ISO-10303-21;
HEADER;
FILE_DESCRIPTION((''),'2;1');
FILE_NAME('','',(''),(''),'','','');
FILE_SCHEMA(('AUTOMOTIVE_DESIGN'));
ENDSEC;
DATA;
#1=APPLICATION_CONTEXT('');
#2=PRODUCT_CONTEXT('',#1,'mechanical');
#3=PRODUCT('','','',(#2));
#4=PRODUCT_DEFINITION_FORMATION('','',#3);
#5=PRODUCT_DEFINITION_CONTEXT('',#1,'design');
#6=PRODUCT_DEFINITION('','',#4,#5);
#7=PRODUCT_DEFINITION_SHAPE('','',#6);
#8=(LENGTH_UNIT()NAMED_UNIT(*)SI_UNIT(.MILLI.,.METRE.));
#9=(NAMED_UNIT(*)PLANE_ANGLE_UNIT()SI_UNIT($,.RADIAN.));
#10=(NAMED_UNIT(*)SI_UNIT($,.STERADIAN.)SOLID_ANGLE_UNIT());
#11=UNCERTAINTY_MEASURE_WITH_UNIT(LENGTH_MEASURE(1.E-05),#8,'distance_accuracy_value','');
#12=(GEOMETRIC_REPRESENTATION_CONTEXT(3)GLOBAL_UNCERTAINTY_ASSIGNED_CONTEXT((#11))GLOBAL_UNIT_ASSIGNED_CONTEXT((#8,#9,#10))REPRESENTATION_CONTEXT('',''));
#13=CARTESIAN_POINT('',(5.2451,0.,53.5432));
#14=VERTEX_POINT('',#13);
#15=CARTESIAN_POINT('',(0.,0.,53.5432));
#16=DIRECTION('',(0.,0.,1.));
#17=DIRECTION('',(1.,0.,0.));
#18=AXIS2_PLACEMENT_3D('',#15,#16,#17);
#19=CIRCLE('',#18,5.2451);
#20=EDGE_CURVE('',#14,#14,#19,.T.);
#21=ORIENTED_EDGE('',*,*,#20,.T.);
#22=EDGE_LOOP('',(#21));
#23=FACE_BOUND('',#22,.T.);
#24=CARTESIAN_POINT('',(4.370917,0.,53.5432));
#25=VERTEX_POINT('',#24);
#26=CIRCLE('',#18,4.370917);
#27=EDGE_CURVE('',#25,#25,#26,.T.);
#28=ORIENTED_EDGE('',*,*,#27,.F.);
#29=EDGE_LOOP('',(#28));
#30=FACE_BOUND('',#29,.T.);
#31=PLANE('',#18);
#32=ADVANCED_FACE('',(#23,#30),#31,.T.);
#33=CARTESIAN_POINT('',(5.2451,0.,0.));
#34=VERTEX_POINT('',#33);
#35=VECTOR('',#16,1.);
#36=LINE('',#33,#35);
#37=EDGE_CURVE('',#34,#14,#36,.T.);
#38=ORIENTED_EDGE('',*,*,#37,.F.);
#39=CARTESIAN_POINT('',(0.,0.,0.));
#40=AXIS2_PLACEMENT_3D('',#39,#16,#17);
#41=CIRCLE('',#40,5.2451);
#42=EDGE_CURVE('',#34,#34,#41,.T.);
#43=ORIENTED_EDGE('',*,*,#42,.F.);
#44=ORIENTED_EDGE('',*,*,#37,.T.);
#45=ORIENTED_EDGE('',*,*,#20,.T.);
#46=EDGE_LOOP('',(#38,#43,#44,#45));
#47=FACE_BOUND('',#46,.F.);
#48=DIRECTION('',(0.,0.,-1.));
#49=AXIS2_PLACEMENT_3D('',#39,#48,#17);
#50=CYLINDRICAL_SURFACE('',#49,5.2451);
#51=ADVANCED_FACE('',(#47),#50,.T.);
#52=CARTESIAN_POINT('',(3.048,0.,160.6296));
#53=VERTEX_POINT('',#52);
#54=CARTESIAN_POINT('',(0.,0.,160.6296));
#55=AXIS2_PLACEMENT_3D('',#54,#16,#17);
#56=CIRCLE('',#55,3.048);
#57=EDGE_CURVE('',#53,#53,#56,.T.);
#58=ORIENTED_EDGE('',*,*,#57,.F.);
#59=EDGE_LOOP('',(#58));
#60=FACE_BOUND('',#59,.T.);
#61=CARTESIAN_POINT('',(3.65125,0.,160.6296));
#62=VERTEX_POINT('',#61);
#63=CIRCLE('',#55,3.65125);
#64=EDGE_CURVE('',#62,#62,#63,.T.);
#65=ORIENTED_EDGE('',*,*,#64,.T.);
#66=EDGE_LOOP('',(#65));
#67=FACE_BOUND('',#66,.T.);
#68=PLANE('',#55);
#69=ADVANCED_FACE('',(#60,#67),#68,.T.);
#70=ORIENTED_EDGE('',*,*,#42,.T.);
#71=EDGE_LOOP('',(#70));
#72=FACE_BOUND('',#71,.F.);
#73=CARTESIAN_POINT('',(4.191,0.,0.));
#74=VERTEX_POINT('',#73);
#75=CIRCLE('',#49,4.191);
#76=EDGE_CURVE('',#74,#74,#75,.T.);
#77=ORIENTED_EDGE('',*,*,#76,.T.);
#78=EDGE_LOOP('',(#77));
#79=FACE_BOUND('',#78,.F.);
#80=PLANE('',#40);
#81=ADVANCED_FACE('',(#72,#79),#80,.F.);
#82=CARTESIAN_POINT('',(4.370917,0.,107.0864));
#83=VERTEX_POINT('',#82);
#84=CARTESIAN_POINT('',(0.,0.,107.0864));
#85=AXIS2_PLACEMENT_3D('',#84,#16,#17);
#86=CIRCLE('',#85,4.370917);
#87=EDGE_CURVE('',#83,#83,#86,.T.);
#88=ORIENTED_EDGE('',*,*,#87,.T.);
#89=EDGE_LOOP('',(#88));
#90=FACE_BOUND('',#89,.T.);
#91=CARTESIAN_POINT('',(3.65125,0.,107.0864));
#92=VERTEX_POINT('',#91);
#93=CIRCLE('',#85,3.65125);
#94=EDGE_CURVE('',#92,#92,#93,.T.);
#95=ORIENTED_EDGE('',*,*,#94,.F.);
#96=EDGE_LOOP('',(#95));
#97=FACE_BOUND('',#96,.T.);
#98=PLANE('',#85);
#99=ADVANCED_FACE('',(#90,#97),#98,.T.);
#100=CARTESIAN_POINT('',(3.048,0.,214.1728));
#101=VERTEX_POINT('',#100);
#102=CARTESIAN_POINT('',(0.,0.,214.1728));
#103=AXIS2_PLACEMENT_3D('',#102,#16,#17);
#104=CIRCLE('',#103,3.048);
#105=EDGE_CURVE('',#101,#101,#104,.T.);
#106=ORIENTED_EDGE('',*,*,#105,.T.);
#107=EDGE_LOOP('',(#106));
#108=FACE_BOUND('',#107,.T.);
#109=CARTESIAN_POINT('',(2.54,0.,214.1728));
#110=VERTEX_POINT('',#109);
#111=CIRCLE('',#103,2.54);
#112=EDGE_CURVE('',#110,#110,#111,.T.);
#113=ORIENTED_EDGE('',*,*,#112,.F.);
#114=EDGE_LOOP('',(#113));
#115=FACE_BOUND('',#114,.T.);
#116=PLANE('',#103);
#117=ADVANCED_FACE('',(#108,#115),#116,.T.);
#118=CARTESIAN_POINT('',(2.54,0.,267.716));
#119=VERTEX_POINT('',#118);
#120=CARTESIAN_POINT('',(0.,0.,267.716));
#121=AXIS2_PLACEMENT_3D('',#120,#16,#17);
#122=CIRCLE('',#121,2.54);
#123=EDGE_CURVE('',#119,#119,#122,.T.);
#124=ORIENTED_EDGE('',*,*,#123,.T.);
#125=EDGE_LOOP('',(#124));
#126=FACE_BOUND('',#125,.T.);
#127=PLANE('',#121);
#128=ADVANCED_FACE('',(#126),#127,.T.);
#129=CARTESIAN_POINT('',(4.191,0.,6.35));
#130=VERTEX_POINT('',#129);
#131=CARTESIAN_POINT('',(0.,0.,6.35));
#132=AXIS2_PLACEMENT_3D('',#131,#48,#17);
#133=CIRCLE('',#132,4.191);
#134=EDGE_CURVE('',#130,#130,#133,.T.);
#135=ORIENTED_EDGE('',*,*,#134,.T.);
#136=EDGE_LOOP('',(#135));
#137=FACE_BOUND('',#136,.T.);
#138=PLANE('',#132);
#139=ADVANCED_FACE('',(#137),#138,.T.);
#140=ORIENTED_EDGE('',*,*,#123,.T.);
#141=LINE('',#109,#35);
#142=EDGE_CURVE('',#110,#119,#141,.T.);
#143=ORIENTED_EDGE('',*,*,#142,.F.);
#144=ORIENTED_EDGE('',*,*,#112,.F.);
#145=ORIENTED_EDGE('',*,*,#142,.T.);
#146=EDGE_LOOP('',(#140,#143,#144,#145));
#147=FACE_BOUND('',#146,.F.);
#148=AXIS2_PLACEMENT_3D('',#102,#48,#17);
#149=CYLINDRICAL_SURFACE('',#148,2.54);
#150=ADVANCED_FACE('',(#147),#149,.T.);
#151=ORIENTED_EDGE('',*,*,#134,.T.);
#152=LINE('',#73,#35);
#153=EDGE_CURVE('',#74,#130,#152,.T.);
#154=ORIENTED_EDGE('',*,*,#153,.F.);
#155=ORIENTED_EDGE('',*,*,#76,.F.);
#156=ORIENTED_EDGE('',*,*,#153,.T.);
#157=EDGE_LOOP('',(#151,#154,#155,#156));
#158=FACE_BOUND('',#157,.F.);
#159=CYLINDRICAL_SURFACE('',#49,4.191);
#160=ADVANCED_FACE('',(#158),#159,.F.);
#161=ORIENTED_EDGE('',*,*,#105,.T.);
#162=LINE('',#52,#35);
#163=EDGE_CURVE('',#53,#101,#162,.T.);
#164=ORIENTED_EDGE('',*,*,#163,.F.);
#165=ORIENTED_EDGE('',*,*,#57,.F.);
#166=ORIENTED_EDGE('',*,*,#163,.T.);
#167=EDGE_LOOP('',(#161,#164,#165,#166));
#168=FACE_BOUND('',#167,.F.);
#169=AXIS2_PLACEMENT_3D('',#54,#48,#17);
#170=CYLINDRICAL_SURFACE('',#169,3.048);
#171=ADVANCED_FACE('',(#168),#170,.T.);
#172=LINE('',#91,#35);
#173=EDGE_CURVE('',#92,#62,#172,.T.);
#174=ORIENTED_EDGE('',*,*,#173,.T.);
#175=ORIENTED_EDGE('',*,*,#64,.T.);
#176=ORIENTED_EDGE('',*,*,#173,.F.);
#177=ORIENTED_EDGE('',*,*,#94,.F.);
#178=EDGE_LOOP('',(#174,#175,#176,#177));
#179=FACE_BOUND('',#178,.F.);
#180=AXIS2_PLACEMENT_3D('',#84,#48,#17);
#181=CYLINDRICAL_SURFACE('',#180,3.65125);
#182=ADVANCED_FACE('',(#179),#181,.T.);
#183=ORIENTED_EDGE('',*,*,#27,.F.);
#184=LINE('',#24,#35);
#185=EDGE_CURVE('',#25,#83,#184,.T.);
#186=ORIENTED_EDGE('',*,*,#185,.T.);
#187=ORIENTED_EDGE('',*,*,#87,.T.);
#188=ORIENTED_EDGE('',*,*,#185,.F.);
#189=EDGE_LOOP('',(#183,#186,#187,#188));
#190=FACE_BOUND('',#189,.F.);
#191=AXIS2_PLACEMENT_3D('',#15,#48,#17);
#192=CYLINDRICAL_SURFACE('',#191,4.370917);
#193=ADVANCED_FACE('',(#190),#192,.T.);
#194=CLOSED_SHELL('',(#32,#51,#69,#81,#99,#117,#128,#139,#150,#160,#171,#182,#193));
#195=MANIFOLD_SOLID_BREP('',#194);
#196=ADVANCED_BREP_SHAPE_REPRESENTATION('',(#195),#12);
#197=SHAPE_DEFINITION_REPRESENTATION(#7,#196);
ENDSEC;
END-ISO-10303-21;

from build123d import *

# Parameters (mm, degrees)
F0_R      = 5.2451
F1_DEPTH  = 53.5432
F2_R      = 4.191
F3_DEPTH  = 6.35
F4_R      = 4.370917
F5_DEPTH  = 53.5432
F6_R      = 3.65125
F7_DEPTH  = 53.5432
F8_R      = 3.048
F9_DEPTH  = 53.5432
F10_R     = 2.54
F11_DEPTH = 53.5432


with BuildPart() as f1:
    # F0 (on Top) → F1 (new body)
    with BuildSketch(Plane.XY):
        Circle(F0_R)
    extrude(amount=F1_DEPTH)

    # F2 (on face) → F3 (cut)
    with BuildSketch(Plane(origin=(0, 0, 0), x_dir=(1, 0, 0), z_dir=(0, 0, -1))):
        Circle(F2_R)
    extrude(amount=-F3_DEPTH, mode=Mode.SUBTRACT)

    # F4 (on face) → F5 (join)
    with BuildSketch(Plane.XY.offset(53.5432)):
        Circle(F4_R)
    extrude(amount=F5_DEPTH)

    # F6 (on face) → F7 (join)
    with BuildSketch(Plane.XY.offset(107.0864)):
        Circle(F6_R)
    extrude(amount=F7_DEPTH)

    # F8 (on face) → F9 (join)
    with BuildSketch(Plane.XY.offset(160.6296)):
        Circle(F8_R)
    extrude(amount=F9_DEPTH)

    # F10 (on face) → F11 (join)
    with BuildSketch(Plane.XY.offset(214.1728)):
        Circle(F10_R)
    extrude(amount=F11_DEPTH)


solid = f1.part
